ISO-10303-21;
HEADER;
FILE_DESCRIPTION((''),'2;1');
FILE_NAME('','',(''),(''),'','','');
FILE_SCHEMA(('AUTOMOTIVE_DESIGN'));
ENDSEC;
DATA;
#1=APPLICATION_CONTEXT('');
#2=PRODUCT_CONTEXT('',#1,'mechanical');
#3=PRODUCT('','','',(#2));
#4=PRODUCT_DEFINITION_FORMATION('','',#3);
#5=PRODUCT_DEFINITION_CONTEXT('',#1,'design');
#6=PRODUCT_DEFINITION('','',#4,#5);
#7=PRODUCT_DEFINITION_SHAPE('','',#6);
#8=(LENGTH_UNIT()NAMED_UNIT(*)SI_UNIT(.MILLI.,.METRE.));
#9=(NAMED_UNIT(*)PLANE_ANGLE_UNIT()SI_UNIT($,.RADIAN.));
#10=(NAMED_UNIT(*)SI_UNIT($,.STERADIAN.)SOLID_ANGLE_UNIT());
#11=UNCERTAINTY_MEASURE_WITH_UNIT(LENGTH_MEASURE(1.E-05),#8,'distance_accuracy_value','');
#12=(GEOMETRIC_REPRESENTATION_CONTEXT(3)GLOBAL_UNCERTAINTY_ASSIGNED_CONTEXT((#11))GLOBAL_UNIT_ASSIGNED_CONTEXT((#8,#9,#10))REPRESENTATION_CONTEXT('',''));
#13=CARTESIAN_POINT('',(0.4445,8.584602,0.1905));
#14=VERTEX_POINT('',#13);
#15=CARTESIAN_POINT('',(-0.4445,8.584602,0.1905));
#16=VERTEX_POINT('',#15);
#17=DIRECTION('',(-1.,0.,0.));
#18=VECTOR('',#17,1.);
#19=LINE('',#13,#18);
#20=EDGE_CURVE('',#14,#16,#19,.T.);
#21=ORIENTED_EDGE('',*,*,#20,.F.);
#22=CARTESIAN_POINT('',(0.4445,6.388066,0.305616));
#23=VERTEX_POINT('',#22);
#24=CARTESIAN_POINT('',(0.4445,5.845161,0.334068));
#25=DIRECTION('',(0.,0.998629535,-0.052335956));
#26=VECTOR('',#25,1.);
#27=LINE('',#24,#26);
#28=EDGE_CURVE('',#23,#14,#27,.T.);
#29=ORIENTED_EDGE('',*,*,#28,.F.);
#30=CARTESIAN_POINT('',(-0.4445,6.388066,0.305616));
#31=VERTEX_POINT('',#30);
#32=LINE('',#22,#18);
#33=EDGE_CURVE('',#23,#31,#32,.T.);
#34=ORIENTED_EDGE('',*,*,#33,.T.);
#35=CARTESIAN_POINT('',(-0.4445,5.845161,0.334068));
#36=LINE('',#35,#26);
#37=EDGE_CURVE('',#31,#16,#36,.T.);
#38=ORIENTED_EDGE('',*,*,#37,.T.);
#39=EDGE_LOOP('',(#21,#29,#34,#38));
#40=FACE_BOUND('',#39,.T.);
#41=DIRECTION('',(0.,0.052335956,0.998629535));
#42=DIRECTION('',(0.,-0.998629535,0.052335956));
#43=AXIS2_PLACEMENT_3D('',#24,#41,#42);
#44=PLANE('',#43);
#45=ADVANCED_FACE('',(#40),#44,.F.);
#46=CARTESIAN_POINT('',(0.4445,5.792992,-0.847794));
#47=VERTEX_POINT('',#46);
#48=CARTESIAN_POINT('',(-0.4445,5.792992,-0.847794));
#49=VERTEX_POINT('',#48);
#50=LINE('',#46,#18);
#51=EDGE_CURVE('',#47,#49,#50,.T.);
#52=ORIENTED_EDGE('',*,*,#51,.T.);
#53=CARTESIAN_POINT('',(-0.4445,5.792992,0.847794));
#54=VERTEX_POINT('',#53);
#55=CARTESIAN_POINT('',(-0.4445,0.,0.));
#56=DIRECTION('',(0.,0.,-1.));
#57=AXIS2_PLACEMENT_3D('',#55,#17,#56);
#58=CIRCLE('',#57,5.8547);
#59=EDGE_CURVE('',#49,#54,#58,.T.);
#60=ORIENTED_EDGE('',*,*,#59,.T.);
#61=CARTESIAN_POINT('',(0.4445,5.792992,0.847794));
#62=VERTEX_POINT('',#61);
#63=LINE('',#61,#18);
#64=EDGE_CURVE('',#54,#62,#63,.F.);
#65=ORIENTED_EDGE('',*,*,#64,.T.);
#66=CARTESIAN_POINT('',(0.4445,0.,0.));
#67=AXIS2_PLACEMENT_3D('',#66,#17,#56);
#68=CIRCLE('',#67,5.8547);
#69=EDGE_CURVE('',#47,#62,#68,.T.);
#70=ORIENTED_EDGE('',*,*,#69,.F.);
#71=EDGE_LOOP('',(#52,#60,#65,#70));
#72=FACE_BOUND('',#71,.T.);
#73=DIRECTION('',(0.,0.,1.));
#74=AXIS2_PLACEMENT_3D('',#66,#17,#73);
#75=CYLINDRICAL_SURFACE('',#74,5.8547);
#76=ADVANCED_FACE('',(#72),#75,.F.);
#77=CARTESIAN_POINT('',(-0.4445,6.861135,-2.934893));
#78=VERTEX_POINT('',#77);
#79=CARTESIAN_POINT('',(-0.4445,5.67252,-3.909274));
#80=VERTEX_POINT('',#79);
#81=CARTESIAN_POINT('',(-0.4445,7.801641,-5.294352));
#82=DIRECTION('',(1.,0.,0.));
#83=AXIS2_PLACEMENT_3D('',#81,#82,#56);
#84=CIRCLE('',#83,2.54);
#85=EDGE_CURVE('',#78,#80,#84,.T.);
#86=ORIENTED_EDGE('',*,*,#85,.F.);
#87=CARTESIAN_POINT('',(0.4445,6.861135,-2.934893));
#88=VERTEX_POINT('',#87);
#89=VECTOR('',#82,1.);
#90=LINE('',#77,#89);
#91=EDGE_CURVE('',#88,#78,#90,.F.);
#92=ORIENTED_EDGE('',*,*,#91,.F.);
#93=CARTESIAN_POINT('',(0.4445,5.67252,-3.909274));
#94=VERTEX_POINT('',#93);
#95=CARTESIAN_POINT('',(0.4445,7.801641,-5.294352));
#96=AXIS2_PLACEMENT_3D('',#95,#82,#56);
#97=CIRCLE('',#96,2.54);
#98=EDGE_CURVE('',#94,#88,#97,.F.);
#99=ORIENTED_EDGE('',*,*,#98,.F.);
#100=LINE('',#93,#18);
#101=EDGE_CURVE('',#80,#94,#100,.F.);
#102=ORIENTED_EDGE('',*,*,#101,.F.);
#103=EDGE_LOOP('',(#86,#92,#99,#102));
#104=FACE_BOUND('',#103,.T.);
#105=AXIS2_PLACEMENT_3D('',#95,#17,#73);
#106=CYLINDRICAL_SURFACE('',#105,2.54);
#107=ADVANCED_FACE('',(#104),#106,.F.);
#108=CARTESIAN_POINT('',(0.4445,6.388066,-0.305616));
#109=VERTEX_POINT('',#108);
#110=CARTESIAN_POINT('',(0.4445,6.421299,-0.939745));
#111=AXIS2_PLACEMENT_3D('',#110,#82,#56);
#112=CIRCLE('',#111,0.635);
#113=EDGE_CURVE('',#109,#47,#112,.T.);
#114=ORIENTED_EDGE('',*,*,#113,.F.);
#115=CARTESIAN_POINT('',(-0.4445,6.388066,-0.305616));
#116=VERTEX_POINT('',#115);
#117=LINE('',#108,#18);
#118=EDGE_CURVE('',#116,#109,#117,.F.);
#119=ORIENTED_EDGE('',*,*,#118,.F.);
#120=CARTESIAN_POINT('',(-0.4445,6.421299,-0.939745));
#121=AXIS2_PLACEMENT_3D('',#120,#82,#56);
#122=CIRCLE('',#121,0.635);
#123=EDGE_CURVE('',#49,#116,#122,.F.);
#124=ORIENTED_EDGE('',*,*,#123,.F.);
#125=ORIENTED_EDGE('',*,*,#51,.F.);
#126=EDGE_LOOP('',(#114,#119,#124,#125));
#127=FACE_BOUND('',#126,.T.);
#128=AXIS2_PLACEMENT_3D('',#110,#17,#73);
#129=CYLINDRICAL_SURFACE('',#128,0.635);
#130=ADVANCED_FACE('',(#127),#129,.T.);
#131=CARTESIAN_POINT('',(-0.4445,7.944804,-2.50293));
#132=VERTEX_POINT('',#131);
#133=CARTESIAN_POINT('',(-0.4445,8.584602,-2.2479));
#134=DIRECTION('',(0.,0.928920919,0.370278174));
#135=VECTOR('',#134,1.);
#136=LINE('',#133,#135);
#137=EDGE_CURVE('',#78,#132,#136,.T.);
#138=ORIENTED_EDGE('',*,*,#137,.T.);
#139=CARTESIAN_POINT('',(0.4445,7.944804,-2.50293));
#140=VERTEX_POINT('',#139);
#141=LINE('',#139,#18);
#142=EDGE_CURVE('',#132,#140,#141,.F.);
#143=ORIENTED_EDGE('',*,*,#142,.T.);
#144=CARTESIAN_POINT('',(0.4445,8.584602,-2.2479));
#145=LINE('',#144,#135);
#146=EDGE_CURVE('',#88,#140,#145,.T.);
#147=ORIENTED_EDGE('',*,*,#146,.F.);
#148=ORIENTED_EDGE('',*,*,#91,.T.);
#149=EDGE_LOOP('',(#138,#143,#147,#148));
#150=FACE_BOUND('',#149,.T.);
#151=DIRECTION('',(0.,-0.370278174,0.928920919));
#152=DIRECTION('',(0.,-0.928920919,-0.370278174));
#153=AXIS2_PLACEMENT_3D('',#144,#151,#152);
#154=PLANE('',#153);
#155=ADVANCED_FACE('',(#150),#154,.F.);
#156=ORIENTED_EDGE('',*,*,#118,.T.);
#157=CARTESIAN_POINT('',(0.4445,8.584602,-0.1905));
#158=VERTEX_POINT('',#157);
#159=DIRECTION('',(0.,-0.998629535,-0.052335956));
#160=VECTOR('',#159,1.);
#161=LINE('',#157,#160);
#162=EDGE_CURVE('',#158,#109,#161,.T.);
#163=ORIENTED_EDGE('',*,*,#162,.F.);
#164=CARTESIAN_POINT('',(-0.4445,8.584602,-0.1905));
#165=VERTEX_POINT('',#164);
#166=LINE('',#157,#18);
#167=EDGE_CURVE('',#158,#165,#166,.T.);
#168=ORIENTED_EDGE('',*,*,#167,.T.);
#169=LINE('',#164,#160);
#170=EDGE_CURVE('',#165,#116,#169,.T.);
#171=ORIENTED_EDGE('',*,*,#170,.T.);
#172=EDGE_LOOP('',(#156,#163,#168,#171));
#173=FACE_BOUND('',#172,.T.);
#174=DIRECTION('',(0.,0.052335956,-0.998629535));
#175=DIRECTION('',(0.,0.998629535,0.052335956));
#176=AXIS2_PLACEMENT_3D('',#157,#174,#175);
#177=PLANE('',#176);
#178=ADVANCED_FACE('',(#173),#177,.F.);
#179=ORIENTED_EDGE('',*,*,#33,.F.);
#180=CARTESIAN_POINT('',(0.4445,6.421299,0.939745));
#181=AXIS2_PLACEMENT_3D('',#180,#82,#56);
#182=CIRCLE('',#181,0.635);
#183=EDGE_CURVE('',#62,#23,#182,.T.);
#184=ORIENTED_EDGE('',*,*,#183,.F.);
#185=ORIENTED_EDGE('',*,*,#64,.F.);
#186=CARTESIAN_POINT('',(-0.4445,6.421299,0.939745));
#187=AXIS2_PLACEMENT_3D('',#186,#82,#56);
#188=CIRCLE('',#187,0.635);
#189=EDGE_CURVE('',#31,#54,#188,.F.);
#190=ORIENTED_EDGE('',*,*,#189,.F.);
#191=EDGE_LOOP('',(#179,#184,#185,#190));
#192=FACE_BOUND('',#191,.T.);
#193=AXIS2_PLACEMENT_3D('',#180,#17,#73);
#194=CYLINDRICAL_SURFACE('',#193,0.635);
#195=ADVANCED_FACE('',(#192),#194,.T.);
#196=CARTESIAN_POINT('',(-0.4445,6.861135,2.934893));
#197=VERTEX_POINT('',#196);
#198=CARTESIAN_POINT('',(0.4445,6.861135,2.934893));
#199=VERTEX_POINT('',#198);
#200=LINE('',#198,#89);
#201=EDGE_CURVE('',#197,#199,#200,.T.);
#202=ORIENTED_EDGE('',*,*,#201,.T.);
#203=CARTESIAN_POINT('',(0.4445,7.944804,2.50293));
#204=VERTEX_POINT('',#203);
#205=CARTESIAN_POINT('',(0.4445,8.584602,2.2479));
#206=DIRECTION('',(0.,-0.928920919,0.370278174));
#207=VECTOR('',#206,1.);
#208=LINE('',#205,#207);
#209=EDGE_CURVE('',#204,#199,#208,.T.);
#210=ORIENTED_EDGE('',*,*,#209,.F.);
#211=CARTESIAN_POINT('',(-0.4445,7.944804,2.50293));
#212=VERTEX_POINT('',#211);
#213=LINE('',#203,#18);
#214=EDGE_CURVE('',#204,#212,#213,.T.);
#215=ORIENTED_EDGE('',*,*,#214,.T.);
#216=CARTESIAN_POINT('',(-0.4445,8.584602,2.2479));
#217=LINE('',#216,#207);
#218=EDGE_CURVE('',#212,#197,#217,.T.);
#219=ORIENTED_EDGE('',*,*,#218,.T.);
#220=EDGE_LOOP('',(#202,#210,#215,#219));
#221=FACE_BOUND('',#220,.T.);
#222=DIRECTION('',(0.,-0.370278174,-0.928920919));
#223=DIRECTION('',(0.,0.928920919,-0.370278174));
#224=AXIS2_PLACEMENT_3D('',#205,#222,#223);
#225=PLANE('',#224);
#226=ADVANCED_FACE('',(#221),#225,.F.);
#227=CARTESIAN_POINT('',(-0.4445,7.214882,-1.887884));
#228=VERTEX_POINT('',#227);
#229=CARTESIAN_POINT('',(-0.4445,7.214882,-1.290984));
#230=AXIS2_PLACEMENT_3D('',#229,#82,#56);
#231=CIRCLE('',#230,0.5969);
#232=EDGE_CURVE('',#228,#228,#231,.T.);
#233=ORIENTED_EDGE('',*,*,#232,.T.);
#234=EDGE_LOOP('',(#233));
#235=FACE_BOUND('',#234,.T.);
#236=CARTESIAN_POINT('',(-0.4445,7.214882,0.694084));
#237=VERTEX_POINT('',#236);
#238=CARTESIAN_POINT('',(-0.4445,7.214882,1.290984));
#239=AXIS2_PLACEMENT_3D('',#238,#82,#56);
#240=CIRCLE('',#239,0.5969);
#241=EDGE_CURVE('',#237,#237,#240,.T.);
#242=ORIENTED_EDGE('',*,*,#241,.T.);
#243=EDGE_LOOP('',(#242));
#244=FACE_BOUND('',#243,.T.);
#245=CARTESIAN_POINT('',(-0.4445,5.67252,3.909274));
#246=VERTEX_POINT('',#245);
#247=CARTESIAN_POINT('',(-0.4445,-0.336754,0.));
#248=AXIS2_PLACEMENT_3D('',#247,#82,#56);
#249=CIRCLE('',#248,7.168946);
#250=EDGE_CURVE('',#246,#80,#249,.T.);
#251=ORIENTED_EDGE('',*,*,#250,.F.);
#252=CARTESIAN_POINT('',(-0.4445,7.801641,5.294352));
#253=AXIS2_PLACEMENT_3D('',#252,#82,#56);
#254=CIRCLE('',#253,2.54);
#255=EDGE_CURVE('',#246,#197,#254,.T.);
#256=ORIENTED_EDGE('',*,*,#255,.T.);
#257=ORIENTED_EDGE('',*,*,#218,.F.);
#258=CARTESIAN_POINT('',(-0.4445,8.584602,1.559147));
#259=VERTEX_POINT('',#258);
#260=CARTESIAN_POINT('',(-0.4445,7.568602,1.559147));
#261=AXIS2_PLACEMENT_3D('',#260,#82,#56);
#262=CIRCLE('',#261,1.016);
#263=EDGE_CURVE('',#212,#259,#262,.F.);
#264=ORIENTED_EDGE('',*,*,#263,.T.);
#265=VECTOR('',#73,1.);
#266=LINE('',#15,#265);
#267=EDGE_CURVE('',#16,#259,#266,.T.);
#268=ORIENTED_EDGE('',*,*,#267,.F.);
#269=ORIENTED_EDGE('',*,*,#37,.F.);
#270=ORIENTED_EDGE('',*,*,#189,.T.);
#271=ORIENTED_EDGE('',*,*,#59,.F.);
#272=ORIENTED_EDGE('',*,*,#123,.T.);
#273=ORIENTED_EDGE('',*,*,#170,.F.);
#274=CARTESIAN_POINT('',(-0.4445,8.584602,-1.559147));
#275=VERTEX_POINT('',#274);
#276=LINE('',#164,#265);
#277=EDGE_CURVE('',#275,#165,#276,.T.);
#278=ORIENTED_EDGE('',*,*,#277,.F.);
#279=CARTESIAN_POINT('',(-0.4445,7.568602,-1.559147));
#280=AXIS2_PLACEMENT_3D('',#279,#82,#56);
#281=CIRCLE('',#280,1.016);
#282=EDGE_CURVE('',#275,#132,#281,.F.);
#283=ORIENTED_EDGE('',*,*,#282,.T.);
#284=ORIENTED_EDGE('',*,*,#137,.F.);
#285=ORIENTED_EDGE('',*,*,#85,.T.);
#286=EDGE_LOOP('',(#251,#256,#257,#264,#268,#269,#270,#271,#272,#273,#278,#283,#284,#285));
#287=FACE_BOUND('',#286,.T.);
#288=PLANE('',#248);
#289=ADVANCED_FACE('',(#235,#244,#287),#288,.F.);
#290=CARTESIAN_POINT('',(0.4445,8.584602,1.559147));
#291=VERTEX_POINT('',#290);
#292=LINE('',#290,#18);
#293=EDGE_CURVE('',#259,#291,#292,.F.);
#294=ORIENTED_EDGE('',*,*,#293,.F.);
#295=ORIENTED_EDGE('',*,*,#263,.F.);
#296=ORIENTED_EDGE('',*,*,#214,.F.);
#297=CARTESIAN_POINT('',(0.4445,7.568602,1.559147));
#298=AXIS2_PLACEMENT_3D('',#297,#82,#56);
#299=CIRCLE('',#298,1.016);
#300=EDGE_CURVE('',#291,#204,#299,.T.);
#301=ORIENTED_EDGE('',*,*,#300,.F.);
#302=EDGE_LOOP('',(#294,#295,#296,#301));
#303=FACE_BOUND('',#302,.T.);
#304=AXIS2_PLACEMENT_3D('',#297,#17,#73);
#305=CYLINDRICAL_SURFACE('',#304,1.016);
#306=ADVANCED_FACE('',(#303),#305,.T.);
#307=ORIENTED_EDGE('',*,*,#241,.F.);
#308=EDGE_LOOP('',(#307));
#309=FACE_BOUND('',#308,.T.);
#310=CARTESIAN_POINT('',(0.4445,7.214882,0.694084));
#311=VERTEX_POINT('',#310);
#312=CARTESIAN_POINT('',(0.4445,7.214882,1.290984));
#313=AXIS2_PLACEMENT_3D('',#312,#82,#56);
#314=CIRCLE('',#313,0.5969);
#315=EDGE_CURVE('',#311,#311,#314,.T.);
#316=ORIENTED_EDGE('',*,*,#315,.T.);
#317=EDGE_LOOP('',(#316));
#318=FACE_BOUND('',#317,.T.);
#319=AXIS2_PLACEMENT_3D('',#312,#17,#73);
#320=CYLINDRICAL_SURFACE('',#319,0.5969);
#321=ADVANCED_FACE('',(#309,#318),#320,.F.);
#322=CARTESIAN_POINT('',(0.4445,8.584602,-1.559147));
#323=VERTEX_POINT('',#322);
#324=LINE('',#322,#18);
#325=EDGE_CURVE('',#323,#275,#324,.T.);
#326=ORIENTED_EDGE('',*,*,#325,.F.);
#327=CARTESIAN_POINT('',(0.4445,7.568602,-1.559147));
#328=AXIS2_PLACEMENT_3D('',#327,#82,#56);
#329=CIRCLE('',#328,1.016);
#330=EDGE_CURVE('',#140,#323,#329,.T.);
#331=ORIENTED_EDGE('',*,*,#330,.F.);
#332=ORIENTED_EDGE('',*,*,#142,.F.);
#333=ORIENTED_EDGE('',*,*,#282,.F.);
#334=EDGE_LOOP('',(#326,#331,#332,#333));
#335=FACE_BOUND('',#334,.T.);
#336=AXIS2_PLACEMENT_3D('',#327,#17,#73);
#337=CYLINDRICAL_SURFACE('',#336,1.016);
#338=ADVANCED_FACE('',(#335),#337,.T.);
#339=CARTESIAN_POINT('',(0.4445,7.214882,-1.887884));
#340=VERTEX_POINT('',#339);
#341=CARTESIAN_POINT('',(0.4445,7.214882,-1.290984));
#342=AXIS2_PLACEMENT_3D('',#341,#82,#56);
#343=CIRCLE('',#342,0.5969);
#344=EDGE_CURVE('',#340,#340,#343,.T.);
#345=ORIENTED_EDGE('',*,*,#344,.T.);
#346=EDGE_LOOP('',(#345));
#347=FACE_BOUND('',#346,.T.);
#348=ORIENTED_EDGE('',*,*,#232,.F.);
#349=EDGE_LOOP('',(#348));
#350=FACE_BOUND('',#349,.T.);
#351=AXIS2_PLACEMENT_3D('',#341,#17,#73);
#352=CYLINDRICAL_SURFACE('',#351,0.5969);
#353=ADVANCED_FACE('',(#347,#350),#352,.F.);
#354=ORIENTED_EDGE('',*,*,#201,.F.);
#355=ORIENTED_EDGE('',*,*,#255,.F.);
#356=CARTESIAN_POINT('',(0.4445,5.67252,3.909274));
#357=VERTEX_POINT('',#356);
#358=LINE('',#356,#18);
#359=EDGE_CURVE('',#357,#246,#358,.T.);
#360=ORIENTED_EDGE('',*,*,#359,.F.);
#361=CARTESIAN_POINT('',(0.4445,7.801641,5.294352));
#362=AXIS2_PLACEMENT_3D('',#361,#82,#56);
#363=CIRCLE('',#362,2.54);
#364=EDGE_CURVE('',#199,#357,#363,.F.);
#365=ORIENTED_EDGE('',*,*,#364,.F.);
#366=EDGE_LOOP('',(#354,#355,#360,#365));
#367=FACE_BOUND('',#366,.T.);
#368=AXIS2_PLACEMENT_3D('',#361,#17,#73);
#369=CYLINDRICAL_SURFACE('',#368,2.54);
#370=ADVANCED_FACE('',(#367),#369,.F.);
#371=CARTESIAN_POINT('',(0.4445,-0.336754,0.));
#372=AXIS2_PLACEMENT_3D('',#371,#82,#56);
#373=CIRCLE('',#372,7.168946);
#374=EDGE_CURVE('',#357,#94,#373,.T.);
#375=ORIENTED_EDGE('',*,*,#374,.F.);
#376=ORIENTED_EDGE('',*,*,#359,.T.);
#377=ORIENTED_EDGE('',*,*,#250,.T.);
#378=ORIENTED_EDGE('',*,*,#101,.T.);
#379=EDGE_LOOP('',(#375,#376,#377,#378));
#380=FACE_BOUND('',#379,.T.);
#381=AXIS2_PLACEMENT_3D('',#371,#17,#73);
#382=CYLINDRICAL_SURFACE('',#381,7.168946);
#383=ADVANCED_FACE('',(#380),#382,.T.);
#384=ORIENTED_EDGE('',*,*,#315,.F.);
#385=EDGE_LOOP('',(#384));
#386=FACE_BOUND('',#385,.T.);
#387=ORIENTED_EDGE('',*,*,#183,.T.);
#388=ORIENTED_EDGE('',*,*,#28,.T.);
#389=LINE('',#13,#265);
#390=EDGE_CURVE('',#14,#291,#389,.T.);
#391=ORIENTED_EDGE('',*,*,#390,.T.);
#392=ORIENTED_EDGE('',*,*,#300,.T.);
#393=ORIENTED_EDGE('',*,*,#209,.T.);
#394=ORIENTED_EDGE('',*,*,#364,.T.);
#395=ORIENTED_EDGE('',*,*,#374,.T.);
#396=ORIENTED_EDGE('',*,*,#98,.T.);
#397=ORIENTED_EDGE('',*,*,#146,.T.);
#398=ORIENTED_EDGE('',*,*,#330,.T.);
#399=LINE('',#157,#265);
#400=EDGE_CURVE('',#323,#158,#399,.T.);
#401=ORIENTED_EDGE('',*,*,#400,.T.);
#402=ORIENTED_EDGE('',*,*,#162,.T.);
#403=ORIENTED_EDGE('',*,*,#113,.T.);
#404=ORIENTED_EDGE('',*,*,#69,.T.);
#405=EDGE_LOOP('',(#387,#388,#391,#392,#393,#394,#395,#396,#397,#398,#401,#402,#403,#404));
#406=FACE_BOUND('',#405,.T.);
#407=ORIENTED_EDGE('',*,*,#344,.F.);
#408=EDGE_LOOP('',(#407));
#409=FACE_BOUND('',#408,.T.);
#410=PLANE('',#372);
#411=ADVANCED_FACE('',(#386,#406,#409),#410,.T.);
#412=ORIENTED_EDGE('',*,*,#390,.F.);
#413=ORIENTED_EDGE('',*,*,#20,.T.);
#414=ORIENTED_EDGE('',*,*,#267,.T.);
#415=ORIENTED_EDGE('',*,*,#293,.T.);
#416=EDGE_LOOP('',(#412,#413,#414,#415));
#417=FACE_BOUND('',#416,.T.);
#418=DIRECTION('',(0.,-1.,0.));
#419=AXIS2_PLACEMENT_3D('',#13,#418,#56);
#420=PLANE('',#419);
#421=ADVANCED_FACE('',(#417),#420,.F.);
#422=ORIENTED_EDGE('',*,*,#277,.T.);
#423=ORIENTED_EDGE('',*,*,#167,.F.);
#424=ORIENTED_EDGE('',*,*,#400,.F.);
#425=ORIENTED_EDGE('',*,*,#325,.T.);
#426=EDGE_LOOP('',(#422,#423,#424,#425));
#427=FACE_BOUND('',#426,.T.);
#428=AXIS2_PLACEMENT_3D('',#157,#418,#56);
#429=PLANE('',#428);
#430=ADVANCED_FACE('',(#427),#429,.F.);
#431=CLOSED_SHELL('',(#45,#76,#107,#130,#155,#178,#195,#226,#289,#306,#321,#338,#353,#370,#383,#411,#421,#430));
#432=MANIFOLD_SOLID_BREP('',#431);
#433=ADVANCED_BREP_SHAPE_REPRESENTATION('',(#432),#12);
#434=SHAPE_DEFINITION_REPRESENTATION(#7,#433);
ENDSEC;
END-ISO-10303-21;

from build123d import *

# Parameters (mm, degrees)
BOSS_EXTRUDE1_DEPTH      = 0.4445
BOSS_EXTRUDE1_DEPTH_BACK = 0.4445
SKETCH3_R                = 0.5969
FILLET1_R                = 2.54
FILLET2_R                = 0.635
FILLET3_R                = 1.016


with BuildPart() as part:
    # Sketch3 → Boss-Extrude1 (new, two sides: drawn at the far end of the back side and taken through both)
    with BuildSketch(Plane(origin=(0, 0, 0), x_dir=(0, 0, -1), z_dir=(1, 0, 0)).offset(-BOSS_EXTRUDE1_DEPTH_BACK)):
        with BuildLine():
            Line((-2.2479, 8.584601843), (-3.258723069, 6.048738914))
            ThreePointArc((-3.258723069, 6.048738914), (0, -7.5057), (3.258723069, 6.048738914))
            Line((3.258723069, 6.048738914), (2.2479, 8.584601843))
            Line((2.2479, 8.584601843), (0.1905, 8.584601843))
            Line((0.1905, 8.584601843), (0.334067995, 5.845161304))
            ThreePointArc((0.334067995, 5.845161304), (0, -5.8547), (-0.334067995, 5.845161304))
            Line((-0.334067995, 5.845161304), (-0.1905, 8.584601843))
            Line((-0.1905, 8.584601843), (-2.2479, 8.584601843))
        make_face()
        with Locations((-1.290983998, 7.214881573)):
            Circle(SKETCH3_R, mode=Mode.SUBTRACT)
        with Locations((1.290983998, 7.214881573)):
            Circle(SKETCH3_R, mode=Mode.SUBTRACT)
    extrude(amount=BOSS_EXTRUDE1_DEPTH + BOSS_EXTRUDE1_DEPTH_BACK)

    # Fillet1
    fillet1_edges = [part.edges().sort_by_distance(p)[0] for p in [
        (0, 6.048738914, 3.258723069),
        (0, 6.048738914, -3.258723069),
    ]]
    fillet(fillet1_edges, radius=FILLET1_R)

    # Fillet2
    fillet2_edges = [part.edges().sort_by_distance(p)[0] for p in [
        (0, 5.845161304, 0.334067995),
        (0, 5.845161304, -0.334067995),
    ]]
    fillet(fillet2_edges, radius=FILLET2_R)

    # Fillet3
    fillet3_edges = [part.edges().sort_by_distance(p)[0] for p in [
        (0, 8.584601843, 2.2479),
        (0, 8.584601843, -2.2479),
    ]]
    fillet(fillet3_edges, radius=FILLET3_R)


solid = part.part
